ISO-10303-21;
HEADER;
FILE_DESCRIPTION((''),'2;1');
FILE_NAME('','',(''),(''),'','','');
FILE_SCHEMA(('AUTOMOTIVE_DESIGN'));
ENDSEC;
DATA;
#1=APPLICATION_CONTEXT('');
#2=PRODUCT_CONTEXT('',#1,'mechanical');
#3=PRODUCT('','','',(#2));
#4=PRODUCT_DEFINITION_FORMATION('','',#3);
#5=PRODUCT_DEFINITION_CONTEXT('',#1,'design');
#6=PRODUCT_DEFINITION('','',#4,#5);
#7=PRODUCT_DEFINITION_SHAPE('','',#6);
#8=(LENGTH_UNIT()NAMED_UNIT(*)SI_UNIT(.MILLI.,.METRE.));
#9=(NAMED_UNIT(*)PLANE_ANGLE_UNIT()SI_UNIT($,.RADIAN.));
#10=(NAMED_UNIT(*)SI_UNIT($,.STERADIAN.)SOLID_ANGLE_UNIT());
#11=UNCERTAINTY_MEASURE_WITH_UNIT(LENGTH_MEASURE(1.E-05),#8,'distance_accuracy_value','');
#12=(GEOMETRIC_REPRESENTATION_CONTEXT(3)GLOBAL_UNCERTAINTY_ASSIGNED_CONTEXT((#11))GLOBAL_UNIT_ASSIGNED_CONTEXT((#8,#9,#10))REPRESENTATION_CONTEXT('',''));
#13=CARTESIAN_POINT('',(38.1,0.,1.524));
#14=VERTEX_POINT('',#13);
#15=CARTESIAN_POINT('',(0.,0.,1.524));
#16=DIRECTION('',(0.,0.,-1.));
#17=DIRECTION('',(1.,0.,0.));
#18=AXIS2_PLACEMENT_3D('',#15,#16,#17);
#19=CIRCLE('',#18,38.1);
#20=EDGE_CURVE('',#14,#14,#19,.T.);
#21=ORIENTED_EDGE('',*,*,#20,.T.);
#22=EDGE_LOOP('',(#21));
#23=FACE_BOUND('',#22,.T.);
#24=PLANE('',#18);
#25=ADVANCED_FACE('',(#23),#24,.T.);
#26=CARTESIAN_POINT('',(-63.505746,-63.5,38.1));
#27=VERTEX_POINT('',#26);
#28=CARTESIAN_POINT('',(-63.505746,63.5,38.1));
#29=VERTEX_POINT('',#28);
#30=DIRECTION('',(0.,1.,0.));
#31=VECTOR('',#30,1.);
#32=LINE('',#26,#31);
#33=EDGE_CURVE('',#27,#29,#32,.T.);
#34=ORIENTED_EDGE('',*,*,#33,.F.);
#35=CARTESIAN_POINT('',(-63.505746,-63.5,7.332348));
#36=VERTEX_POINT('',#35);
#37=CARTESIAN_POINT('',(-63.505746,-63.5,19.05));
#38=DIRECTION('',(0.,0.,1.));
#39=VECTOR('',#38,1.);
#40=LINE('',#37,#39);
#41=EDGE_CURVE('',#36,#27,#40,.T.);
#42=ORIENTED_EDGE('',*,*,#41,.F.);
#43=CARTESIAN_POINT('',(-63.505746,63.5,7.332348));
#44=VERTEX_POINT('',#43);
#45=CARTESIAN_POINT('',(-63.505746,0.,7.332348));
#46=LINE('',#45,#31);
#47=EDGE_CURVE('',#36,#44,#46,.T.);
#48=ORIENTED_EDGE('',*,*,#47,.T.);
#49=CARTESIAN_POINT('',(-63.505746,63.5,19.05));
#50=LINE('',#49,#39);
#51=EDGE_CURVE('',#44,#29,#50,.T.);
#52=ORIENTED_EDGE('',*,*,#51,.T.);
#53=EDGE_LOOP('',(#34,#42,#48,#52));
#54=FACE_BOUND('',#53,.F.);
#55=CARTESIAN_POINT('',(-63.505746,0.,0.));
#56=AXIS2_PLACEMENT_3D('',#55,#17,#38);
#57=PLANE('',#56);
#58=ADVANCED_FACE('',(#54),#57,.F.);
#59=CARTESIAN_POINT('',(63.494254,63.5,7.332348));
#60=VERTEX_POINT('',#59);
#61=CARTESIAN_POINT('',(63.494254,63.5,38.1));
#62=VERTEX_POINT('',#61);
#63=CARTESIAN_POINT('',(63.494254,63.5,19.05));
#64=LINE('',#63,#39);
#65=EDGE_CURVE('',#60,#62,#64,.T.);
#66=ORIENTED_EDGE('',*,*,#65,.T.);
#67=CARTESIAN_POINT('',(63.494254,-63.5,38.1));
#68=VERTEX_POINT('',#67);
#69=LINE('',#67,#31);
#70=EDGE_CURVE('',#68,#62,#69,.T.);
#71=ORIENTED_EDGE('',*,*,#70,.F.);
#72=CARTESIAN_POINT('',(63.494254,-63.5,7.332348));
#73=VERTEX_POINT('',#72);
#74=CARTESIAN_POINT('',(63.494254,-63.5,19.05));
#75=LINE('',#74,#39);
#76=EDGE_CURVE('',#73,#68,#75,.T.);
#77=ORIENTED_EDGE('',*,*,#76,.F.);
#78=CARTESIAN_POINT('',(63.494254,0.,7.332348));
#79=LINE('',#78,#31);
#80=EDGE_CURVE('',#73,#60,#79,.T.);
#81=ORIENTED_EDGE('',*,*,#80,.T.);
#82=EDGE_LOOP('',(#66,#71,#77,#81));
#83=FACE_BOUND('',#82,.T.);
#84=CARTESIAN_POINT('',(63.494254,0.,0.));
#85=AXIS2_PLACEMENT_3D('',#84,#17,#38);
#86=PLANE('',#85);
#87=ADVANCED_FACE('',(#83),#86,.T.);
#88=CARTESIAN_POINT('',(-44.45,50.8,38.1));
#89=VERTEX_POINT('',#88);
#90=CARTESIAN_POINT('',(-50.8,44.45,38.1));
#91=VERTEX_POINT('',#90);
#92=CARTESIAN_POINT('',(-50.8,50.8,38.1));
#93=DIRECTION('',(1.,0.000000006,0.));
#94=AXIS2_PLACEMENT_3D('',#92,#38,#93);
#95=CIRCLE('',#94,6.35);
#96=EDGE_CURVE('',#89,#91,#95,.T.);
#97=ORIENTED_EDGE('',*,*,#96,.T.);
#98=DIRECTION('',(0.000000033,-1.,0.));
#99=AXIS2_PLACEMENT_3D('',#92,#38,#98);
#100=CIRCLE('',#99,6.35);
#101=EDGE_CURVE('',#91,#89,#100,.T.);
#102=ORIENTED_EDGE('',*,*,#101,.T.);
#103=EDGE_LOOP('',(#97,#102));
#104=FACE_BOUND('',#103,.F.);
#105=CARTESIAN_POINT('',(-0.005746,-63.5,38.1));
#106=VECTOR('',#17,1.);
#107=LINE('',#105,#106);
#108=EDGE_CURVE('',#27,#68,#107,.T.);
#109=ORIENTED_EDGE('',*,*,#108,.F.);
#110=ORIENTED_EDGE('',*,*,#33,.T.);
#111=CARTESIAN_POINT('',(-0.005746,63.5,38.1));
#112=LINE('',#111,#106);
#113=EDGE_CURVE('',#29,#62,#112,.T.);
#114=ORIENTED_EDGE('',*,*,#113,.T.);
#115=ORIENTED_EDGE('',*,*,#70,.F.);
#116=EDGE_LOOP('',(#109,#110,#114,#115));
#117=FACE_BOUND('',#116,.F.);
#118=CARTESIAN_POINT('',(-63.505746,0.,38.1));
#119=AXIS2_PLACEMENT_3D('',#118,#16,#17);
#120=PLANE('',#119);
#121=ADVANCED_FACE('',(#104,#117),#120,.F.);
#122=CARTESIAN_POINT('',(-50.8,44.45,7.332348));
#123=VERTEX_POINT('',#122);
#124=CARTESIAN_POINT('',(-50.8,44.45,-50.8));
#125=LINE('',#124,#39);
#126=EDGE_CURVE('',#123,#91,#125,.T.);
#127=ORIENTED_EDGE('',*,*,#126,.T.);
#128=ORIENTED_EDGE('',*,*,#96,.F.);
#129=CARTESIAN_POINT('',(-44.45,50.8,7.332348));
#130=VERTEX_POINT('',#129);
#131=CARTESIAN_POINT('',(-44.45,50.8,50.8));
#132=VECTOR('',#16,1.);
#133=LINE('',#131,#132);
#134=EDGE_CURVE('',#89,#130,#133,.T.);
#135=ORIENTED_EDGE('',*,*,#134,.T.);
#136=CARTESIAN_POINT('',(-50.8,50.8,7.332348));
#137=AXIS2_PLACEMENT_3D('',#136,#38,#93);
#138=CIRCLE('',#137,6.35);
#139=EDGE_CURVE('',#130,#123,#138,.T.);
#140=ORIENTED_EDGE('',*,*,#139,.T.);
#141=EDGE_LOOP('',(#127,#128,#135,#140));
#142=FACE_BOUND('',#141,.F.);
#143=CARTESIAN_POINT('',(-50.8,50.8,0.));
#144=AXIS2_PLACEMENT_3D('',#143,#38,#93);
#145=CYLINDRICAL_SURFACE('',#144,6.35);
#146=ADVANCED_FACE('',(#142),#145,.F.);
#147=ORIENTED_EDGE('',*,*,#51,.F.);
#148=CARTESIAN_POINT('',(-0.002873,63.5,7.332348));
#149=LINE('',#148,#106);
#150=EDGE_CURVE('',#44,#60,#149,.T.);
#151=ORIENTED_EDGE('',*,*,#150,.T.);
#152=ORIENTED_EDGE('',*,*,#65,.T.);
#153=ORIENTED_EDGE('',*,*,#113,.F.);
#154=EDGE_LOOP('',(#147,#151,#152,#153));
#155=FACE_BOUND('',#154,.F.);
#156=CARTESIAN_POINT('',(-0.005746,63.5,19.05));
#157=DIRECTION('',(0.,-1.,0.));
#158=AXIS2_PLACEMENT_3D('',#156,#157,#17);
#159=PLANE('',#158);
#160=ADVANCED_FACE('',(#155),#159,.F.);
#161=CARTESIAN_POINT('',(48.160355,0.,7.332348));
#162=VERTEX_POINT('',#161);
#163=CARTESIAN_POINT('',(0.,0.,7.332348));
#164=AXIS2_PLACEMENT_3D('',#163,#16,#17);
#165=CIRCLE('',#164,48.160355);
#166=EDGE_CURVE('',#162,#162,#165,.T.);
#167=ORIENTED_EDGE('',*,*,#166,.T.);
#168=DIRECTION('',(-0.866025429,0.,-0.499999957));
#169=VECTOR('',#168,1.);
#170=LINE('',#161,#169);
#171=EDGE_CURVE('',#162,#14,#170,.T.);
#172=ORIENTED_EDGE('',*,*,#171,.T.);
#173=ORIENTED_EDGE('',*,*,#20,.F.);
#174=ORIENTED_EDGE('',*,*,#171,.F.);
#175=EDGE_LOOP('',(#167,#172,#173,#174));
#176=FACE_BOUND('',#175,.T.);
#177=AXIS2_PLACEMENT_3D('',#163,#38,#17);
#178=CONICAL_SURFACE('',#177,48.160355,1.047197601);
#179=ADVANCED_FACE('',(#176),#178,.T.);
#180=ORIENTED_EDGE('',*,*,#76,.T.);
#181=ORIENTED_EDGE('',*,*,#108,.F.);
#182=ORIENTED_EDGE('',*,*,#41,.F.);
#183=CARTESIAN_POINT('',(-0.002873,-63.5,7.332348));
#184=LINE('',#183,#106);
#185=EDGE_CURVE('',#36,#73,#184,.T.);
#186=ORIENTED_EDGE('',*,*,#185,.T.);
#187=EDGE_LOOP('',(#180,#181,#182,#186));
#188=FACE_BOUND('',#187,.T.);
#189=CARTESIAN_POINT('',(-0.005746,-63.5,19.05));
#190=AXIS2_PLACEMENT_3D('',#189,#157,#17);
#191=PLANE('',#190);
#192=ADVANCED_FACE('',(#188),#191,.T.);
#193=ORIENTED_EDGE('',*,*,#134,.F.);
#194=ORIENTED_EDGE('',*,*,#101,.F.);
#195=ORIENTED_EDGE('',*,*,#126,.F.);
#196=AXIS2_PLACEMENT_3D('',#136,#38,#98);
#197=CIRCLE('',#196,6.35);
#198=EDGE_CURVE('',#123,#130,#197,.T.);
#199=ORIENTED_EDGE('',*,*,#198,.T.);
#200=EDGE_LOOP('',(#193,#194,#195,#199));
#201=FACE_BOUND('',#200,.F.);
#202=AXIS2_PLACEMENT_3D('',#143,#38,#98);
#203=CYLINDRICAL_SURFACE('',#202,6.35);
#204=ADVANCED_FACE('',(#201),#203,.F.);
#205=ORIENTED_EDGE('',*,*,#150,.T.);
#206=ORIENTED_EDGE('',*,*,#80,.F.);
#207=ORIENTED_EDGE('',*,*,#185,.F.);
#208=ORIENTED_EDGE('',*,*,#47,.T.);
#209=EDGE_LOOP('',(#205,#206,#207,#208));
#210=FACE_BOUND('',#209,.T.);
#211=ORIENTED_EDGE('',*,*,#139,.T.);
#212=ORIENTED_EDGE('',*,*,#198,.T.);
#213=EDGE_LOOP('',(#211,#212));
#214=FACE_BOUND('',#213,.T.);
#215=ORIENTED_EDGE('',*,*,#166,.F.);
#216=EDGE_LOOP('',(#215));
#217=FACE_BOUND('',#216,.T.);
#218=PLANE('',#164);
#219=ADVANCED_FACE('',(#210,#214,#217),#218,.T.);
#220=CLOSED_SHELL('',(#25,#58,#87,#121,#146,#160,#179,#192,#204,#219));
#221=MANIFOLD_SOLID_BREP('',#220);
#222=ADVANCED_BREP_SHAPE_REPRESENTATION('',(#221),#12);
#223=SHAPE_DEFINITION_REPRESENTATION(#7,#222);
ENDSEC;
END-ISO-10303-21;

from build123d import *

# Parameters (mm, degrees)
F1_W     = 127
F1_H     = 38.1
F2_DEPTH = 63.5
F5_DEPTH = 50.8


with BuildPart() as f2:
    # F1 (on Front) → F2 (new body, symmetric)
    with BuildSketch(Plane.XZ):
        with Locations((-0.005746, 19.05)):
            Rectangle(F1_W, F1_H)
    extrude(amount=F2_DEPTH, both=True)

    # F0 (on Front) → F3 (revolve, cut)
    with BuildSketch(Plane.XZ):
        Polygon((48.160355, 7.332348), (38.1, 1.524), (0, 1.524), (0, 0), (92.567263, 0), (92.567263, 7.332348), align=None)
    revolve(axis=Axis((0, 0, 0.762), (0, 0, -1)), mode=Mode.SUBTRACT)

    # F4 (on Top) → F5 (cut, symmetric)
    with BuildSketch(Plane.XY):
        with BuildLine():
            Line((-50.8, 44.45), (-50.8, 50.8))
            Line((-50.8, 50.8), (-44.45, 50.8))
            ThreePointArc((-44.45, 50.8), (-55.290128, 55.290128), (-50.8, 44.45))
        make_face()
        with BuildLine():
            Line((-44.45, 50.8), (-50.8, 50.8))
            Line((-50.8, 50.8), (-50.8, 44.45))
            ThreePointArc((-50.8, 44.45), (-46.309872, 46.309872), (-44.45, 50.8))
        make_face()
    extrude(amount=F5_DEPTH, both=True, mode=Mode.SUBTRACT)


solid = f2.part
